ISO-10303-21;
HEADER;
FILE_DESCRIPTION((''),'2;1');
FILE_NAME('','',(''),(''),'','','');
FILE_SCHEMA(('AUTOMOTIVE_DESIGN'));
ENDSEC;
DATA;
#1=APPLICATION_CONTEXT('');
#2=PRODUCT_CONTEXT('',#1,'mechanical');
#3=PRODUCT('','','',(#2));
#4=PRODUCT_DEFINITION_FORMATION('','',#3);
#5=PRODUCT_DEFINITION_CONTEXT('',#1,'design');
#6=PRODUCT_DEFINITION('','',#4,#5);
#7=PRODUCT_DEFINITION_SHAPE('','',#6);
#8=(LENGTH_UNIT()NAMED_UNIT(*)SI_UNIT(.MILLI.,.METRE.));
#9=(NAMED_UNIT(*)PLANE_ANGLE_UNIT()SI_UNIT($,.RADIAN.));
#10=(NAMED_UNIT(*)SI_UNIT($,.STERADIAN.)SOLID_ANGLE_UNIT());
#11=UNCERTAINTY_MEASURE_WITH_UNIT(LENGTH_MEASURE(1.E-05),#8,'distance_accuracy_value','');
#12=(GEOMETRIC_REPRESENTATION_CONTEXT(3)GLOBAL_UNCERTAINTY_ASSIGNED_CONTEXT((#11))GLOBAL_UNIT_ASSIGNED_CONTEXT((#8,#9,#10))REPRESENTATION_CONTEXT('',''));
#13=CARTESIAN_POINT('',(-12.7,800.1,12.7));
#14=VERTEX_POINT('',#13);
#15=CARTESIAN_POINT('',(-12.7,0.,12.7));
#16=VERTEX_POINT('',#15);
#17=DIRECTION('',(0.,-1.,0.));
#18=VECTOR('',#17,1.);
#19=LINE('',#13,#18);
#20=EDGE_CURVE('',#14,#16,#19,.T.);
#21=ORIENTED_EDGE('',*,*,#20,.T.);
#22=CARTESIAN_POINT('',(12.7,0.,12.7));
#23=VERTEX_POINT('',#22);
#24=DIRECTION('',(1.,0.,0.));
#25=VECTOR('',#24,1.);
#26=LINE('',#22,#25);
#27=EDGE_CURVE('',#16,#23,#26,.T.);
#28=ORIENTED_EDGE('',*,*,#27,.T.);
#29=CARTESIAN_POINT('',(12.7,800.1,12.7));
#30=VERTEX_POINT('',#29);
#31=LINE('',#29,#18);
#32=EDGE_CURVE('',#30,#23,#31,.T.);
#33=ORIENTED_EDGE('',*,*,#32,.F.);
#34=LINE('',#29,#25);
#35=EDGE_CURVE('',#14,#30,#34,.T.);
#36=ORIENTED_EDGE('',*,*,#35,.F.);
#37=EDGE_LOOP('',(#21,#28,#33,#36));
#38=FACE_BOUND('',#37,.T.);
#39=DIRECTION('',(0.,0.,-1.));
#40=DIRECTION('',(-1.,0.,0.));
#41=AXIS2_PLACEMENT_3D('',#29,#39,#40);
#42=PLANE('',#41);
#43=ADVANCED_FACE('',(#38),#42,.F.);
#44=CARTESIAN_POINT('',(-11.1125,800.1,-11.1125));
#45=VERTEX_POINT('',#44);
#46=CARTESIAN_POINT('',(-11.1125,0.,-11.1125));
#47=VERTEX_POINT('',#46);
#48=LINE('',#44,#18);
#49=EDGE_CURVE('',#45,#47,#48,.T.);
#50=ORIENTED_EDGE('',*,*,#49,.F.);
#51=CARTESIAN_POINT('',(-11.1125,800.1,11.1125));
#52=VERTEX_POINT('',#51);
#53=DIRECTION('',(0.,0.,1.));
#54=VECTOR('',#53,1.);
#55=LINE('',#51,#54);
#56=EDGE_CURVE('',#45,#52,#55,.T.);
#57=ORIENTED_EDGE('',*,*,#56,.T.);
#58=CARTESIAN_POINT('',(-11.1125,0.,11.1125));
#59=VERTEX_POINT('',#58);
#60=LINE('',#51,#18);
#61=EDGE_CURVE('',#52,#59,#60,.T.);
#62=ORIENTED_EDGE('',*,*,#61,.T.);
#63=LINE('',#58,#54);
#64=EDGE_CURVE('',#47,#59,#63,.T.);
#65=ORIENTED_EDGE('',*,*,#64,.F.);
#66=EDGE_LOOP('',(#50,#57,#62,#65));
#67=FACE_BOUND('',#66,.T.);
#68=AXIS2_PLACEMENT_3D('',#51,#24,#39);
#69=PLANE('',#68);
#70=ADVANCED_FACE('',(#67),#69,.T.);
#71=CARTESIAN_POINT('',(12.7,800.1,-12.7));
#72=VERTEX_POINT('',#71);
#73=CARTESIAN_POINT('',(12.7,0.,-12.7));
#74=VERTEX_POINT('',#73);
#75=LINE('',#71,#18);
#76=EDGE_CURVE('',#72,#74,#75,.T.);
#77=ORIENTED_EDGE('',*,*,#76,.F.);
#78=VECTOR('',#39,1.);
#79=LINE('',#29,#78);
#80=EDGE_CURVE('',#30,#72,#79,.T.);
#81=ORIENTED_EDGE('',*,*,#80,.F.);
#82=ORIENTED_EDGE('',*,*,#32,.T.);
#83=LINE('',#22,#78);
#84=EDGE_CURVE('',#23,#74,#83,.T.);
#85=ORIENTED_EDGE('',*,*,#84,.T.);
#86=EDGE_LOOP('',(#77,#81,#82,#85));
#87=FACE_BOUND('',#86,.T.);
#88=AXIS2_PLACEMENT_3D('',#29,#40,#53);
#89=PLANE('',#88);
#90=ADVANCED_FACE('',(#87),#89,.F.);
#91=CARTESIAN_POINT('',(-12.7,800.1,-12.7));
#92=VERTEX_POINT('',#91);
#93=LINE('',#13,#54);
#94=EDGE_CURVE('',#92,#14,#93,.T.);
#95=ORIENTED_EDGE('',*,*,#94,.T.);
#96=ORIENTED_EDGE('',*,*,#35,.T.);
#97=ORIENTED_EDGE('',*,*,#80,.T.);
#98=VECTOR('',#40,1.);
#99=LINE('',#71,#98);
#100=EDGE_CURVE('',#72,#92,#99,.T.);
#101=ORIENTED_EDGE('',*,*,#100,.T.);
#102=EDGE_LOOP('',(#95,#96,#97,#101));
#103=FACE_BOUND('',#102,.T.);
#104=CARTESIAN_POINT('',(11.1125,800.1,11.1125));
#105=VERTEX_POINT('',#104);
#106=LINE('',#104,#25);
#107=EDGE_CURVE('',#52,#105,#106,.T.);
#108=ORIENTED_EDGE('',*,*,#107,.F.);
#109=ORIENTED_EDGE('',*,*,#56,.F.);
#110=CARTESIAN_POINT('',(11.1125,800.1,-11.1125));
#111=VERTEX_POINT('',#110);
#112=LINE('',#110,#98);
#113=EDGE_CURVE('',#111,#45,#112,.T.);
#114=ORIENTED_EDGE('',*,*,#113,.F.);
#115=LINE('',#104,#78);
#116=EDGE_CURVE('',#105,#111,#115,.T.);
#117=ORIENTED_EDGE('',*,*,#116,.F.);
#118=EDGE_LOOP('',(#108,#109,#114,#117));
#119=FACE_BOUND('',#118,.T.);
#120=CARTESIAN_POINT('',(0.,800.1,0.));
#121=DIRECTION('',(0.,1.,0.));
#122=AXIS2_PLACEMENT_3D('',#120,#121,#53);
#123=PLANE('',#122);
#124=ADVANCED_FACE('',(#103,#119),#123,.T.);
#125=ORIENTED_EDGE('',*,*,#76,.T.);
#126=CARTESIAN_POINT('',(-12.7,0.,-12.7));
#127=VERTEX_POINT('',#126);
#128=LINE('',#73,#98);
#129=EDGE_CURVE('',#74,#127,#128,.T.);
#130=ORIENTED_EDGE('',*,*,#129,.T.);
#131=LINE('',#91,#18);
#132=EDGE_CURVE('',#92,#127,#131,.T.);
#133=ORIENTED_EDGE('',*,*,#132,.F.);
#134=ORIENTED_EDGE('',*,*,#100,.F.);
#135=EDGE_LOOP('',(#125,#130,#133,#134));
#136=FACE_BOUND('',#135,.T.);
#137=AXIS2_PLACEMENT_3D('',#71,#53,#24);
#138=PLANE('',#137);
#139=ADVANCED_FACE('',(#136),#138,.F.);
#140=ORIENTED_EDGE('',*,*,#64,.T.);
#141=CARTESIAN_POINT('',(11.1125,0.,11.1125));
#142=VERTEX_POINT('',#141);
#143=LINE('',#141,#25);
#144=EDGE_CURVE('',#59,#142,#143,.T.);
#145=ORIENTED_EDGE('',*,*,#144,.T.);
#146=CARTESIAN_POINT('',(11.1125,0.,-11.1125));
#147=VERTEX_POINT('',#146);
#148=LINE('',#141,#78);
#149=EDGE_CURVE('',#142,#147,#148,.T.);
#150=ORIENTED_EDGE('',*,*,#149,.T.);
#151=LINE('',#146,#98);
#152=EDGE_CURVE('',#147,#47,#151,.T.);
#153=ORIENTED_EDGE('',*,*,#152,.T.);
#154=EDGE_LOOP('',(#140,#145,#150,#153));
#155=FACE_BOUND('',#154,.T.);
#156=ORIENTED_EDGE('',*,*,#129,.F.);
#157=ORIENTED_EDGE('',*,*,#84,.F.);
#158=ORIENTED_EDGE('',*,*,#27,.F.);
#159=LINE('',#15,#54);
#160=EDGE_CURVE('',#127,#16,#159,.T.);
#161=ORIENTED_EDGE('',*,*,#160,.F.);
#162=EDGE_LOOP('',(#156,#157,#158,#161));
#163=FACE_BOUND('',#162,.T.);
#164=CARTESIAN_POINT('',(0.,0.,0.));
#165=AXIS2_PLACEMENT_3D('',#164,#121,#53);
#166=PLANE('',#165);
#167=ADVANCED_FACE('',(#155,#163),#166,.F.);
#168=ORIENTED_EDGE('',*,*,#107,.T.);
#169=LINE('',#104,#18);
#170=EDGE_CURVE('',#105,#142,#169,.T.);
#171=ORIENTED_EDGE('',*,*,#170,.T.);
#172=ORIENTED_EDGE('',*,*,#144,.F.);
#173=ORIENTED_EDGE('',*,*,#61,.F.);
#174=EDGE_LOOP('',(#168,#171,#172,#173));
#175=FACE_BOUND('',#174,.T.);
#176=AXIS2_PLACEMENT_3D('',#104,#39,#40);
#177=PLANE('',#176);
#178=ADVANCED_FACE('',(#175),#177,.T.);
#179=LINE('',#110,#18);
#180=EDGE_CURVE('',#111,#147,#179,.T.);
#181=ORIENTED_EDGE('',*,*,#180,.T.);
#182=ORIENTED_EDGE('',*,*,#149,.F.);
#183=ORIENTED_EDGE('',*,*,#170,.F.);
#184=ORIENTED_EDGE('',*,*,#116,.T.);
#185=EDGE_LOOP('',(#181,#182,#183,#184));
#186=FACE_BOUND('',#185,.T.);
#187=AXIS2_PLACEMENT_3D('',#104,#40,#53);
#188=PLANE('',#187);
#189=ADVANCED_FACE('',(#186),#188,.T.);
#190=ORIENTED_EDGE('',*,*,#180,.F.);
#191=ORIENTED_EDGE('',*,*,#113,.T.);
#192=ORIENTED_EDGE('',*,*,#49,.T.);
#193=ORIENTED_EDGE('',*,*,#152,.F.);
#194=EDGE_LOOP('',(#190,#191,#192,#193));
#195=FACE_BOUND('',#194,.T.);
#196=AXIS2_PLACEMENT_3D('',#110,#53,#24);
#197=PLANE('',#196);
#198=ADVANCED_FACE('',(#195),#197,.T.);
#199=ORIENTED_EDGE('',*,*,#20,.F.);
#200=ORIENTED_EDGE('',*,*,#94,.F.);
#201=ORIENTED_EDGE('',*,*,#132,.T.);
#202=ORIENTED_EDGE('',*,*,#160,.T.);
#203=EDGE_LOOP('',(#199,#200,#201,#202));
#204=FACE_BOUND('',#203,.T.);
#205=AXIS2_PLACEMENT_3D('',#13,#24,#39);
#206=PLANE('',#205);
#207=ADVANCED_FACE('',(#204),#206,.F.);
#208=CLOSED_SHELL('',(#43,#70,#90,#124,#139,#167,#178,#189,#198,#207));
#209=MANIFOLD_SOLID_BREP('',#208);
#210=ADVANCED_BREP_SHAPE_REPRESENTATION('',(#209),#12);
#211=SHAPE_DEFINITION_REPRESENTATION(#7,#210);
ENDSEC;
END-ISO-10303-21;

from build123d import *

# Parameters (mm, degrees)
SKETCH1_W           = 25.4
SKETCH1_H           = 25.4
SKETCH1_W_2         = 22.225
SKETCH1_H_2         = 22.225
BOSS_EXTRUDE2_DEPTH = 800.1


with BuildPart() as part:
    # Sketch1 → Boss-Extrude2 (new body)
    with BuildSketch(Plane(origin=(0, 0, 0), x_dir=(1, 0, 0), z_dir=(0, 1, 0))):
        Rectangle(SKETCH1_W, SKETCH1_H)
        Rectangle(SKETCH1_W_2, SKETCH1_H_2, mode=Mode.SUBTRACT)
    extrude(amount=BOSS_EXTRUDE2_DEPTH)


solid = part.part
